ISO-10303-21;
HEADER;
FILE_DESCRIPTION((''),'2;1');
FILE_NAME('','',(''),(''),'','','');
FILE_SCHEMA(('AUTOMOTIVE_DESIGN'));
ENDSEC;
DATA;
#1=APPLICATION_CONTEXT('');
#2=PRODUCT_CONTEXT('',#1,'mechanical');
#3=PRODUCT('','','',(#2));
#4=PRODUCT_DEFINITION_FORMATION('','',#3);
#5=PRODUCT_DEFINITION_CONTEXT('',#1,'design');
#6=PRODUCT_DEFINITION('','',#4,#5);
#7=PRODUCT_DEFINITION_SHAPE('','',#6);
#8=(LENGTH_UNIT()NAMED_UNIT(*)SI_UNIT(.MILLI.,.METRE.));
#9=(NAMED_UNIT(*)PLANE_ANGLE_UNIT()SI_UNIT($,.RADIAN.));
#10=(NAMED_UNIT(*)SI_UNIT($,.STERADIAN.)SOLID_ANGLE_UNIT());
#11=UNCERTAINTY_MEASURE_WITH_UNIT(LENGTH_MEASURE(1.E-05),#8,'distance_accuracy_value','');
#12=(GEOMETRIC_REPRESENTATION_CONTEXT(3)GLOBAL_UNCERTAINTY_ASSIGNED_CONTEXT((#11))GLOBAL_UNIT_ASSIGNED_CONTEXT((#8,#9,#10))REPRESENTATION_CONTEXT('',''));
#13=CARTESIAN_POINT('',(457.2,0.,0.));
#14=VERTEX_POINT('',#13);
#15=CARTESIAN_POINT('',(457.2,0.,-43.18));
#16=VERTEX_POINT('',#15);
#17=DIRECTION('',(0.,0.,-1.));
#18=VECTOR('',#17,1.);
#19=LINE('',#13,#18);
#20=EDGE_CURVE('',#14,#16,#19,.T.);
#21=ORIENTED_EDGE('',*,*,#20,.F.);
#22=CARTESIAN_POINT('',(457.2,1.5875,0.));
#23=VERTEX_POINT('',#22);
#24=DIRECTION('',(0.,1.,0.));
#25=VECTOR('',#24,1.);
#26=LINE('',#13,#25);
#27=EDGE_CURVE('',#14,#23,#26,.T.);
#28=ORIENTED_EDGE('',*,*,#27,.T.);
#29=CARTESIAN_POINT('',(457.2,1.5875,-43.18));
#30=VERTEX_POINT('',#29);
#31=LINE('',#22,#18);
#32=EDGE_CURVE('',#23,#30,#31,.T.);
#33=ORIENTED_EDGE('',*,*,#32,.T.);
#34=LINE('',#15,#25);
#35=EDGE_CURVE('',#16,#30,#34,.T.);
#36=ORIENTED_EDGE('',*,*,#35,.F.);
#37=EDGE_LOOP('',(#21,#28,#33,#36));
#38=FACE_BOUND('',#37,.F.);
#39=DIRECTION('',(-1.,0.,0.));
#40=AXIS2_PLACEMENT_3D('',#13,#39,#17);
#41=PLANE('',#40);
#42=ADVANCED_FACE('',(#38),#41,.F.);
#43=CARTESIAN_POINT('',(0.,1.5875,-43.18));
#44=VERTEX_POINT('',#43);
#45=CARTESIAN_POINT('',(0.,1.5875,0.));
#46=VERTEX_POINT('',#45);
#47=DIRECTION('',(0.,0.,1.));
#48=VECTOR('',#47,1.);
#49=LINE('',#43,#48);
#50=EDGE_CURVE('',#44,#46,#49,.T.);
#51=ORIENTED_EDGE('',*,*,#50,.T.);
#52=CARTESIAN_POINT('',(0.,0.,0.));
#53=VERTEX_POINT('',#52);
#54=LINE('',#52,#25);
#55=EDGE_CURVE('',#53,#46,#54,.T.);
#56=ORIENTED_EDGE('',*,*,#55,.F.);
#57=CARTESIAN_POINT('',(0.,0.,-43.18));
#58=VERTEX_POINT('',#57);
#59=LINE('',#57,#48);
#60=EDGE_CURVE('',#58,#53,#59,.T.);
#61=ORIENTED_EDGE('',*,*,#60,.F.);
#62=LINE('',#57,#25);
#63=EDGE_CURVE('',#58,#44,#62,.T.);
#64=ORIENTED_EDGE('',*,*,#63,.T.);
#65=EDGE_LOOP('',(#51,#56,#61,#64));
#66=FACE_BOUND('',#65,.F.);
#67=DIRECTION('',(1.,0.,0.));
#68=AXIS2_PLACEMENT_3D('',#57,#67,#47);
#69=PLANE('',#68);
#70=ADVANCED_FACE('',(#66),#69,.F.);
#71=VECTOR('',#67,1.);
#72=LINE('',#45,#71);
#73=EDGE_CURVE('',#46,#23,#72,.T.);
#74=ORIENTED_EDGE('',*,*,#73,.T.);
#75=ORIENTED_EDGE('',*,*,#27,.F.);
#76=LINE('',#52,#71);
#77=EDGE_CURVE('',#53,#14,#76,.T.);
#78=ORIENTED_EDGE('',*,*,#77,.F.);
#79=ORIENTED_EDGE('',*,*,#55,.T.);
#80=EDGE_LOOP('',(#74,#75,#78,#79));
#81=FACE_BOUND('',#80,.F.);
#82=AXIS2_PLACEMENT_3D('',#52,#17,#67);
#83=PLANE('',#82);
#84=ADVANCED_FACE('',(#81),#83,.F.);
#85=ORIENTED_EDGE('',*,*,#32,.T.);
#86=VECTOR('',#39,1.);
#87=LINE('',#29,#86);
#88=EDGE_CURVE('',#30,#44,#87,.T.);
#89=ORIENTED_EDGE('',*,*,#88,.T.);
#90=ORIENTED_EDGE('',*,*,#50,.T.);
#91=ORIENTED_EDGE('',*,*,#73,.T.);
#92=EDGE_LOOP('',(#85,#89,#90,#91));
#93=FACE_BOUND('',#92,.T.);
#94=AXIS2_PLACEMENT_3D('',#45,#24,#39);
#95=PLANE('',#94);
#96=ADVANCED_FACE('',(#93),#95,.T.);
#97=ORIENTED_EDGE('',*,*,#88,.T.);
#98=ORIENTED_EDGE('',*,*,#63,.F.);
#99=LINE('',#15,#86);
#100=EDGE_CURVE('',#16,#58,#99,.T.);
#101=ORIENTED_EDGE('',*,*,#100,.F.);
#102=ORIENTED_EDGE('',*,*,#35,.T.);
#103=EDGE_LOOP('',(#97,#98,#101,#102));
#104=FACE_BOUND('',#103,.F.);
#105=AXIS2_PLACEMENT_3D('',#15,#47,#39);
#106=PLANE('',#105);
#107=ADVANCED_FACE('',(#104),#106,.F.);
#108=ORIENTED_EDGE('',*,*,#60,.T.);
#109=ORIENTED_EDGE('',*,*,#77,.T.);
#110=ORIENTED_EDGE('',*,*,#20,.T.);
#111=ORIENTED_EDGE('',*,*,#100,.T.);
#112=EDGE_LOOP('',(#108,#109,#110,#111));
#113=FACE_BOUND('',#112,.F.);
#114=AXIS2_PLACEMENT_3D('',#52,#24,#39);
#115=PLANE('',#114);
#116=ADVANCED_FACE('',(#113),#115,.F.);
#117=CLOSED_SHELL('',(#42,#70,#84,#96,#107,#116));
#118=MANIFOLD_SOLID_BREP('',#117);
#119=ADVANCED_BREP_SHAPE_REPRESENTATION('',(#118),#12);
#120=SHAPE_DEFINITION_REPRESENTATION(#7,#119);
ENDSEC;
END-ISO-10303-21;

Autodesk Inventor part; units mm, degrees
ref_plane "YZ Plane" through (0, 0, 0) normal (1, 0, 0) x (0, 1, 0)
ref_plane "XZ Plane" through (0, 0, 0) normal (0, 1, 0) x (-1, 0, 0)
ref_plane "XY Plane" through (0, 0, 0) normal (0, 0, 1) x (1, 0, 0)
sketch "Sketch1" plane through (0, 0, 0) normal (0, 1, 0) x (-1, 0, 0)
  line L0 (0, 0) -> (-457.2, 0)
  line L1 (-457.2, 0) -> (-457.2, -43.18)
  line L2 (-457.2, -43.18) -> (0, -43.18)
  line L3 (0, -43.18) -> (0, 0)
  dimension "d0" = 457.2
  dimension "d1" = 43.18
extrude "Extrusion1" add sketch "Sketch1" along normal blind 1.5875
properties part number "Roof_piece1" material "Aluminum 6061"
